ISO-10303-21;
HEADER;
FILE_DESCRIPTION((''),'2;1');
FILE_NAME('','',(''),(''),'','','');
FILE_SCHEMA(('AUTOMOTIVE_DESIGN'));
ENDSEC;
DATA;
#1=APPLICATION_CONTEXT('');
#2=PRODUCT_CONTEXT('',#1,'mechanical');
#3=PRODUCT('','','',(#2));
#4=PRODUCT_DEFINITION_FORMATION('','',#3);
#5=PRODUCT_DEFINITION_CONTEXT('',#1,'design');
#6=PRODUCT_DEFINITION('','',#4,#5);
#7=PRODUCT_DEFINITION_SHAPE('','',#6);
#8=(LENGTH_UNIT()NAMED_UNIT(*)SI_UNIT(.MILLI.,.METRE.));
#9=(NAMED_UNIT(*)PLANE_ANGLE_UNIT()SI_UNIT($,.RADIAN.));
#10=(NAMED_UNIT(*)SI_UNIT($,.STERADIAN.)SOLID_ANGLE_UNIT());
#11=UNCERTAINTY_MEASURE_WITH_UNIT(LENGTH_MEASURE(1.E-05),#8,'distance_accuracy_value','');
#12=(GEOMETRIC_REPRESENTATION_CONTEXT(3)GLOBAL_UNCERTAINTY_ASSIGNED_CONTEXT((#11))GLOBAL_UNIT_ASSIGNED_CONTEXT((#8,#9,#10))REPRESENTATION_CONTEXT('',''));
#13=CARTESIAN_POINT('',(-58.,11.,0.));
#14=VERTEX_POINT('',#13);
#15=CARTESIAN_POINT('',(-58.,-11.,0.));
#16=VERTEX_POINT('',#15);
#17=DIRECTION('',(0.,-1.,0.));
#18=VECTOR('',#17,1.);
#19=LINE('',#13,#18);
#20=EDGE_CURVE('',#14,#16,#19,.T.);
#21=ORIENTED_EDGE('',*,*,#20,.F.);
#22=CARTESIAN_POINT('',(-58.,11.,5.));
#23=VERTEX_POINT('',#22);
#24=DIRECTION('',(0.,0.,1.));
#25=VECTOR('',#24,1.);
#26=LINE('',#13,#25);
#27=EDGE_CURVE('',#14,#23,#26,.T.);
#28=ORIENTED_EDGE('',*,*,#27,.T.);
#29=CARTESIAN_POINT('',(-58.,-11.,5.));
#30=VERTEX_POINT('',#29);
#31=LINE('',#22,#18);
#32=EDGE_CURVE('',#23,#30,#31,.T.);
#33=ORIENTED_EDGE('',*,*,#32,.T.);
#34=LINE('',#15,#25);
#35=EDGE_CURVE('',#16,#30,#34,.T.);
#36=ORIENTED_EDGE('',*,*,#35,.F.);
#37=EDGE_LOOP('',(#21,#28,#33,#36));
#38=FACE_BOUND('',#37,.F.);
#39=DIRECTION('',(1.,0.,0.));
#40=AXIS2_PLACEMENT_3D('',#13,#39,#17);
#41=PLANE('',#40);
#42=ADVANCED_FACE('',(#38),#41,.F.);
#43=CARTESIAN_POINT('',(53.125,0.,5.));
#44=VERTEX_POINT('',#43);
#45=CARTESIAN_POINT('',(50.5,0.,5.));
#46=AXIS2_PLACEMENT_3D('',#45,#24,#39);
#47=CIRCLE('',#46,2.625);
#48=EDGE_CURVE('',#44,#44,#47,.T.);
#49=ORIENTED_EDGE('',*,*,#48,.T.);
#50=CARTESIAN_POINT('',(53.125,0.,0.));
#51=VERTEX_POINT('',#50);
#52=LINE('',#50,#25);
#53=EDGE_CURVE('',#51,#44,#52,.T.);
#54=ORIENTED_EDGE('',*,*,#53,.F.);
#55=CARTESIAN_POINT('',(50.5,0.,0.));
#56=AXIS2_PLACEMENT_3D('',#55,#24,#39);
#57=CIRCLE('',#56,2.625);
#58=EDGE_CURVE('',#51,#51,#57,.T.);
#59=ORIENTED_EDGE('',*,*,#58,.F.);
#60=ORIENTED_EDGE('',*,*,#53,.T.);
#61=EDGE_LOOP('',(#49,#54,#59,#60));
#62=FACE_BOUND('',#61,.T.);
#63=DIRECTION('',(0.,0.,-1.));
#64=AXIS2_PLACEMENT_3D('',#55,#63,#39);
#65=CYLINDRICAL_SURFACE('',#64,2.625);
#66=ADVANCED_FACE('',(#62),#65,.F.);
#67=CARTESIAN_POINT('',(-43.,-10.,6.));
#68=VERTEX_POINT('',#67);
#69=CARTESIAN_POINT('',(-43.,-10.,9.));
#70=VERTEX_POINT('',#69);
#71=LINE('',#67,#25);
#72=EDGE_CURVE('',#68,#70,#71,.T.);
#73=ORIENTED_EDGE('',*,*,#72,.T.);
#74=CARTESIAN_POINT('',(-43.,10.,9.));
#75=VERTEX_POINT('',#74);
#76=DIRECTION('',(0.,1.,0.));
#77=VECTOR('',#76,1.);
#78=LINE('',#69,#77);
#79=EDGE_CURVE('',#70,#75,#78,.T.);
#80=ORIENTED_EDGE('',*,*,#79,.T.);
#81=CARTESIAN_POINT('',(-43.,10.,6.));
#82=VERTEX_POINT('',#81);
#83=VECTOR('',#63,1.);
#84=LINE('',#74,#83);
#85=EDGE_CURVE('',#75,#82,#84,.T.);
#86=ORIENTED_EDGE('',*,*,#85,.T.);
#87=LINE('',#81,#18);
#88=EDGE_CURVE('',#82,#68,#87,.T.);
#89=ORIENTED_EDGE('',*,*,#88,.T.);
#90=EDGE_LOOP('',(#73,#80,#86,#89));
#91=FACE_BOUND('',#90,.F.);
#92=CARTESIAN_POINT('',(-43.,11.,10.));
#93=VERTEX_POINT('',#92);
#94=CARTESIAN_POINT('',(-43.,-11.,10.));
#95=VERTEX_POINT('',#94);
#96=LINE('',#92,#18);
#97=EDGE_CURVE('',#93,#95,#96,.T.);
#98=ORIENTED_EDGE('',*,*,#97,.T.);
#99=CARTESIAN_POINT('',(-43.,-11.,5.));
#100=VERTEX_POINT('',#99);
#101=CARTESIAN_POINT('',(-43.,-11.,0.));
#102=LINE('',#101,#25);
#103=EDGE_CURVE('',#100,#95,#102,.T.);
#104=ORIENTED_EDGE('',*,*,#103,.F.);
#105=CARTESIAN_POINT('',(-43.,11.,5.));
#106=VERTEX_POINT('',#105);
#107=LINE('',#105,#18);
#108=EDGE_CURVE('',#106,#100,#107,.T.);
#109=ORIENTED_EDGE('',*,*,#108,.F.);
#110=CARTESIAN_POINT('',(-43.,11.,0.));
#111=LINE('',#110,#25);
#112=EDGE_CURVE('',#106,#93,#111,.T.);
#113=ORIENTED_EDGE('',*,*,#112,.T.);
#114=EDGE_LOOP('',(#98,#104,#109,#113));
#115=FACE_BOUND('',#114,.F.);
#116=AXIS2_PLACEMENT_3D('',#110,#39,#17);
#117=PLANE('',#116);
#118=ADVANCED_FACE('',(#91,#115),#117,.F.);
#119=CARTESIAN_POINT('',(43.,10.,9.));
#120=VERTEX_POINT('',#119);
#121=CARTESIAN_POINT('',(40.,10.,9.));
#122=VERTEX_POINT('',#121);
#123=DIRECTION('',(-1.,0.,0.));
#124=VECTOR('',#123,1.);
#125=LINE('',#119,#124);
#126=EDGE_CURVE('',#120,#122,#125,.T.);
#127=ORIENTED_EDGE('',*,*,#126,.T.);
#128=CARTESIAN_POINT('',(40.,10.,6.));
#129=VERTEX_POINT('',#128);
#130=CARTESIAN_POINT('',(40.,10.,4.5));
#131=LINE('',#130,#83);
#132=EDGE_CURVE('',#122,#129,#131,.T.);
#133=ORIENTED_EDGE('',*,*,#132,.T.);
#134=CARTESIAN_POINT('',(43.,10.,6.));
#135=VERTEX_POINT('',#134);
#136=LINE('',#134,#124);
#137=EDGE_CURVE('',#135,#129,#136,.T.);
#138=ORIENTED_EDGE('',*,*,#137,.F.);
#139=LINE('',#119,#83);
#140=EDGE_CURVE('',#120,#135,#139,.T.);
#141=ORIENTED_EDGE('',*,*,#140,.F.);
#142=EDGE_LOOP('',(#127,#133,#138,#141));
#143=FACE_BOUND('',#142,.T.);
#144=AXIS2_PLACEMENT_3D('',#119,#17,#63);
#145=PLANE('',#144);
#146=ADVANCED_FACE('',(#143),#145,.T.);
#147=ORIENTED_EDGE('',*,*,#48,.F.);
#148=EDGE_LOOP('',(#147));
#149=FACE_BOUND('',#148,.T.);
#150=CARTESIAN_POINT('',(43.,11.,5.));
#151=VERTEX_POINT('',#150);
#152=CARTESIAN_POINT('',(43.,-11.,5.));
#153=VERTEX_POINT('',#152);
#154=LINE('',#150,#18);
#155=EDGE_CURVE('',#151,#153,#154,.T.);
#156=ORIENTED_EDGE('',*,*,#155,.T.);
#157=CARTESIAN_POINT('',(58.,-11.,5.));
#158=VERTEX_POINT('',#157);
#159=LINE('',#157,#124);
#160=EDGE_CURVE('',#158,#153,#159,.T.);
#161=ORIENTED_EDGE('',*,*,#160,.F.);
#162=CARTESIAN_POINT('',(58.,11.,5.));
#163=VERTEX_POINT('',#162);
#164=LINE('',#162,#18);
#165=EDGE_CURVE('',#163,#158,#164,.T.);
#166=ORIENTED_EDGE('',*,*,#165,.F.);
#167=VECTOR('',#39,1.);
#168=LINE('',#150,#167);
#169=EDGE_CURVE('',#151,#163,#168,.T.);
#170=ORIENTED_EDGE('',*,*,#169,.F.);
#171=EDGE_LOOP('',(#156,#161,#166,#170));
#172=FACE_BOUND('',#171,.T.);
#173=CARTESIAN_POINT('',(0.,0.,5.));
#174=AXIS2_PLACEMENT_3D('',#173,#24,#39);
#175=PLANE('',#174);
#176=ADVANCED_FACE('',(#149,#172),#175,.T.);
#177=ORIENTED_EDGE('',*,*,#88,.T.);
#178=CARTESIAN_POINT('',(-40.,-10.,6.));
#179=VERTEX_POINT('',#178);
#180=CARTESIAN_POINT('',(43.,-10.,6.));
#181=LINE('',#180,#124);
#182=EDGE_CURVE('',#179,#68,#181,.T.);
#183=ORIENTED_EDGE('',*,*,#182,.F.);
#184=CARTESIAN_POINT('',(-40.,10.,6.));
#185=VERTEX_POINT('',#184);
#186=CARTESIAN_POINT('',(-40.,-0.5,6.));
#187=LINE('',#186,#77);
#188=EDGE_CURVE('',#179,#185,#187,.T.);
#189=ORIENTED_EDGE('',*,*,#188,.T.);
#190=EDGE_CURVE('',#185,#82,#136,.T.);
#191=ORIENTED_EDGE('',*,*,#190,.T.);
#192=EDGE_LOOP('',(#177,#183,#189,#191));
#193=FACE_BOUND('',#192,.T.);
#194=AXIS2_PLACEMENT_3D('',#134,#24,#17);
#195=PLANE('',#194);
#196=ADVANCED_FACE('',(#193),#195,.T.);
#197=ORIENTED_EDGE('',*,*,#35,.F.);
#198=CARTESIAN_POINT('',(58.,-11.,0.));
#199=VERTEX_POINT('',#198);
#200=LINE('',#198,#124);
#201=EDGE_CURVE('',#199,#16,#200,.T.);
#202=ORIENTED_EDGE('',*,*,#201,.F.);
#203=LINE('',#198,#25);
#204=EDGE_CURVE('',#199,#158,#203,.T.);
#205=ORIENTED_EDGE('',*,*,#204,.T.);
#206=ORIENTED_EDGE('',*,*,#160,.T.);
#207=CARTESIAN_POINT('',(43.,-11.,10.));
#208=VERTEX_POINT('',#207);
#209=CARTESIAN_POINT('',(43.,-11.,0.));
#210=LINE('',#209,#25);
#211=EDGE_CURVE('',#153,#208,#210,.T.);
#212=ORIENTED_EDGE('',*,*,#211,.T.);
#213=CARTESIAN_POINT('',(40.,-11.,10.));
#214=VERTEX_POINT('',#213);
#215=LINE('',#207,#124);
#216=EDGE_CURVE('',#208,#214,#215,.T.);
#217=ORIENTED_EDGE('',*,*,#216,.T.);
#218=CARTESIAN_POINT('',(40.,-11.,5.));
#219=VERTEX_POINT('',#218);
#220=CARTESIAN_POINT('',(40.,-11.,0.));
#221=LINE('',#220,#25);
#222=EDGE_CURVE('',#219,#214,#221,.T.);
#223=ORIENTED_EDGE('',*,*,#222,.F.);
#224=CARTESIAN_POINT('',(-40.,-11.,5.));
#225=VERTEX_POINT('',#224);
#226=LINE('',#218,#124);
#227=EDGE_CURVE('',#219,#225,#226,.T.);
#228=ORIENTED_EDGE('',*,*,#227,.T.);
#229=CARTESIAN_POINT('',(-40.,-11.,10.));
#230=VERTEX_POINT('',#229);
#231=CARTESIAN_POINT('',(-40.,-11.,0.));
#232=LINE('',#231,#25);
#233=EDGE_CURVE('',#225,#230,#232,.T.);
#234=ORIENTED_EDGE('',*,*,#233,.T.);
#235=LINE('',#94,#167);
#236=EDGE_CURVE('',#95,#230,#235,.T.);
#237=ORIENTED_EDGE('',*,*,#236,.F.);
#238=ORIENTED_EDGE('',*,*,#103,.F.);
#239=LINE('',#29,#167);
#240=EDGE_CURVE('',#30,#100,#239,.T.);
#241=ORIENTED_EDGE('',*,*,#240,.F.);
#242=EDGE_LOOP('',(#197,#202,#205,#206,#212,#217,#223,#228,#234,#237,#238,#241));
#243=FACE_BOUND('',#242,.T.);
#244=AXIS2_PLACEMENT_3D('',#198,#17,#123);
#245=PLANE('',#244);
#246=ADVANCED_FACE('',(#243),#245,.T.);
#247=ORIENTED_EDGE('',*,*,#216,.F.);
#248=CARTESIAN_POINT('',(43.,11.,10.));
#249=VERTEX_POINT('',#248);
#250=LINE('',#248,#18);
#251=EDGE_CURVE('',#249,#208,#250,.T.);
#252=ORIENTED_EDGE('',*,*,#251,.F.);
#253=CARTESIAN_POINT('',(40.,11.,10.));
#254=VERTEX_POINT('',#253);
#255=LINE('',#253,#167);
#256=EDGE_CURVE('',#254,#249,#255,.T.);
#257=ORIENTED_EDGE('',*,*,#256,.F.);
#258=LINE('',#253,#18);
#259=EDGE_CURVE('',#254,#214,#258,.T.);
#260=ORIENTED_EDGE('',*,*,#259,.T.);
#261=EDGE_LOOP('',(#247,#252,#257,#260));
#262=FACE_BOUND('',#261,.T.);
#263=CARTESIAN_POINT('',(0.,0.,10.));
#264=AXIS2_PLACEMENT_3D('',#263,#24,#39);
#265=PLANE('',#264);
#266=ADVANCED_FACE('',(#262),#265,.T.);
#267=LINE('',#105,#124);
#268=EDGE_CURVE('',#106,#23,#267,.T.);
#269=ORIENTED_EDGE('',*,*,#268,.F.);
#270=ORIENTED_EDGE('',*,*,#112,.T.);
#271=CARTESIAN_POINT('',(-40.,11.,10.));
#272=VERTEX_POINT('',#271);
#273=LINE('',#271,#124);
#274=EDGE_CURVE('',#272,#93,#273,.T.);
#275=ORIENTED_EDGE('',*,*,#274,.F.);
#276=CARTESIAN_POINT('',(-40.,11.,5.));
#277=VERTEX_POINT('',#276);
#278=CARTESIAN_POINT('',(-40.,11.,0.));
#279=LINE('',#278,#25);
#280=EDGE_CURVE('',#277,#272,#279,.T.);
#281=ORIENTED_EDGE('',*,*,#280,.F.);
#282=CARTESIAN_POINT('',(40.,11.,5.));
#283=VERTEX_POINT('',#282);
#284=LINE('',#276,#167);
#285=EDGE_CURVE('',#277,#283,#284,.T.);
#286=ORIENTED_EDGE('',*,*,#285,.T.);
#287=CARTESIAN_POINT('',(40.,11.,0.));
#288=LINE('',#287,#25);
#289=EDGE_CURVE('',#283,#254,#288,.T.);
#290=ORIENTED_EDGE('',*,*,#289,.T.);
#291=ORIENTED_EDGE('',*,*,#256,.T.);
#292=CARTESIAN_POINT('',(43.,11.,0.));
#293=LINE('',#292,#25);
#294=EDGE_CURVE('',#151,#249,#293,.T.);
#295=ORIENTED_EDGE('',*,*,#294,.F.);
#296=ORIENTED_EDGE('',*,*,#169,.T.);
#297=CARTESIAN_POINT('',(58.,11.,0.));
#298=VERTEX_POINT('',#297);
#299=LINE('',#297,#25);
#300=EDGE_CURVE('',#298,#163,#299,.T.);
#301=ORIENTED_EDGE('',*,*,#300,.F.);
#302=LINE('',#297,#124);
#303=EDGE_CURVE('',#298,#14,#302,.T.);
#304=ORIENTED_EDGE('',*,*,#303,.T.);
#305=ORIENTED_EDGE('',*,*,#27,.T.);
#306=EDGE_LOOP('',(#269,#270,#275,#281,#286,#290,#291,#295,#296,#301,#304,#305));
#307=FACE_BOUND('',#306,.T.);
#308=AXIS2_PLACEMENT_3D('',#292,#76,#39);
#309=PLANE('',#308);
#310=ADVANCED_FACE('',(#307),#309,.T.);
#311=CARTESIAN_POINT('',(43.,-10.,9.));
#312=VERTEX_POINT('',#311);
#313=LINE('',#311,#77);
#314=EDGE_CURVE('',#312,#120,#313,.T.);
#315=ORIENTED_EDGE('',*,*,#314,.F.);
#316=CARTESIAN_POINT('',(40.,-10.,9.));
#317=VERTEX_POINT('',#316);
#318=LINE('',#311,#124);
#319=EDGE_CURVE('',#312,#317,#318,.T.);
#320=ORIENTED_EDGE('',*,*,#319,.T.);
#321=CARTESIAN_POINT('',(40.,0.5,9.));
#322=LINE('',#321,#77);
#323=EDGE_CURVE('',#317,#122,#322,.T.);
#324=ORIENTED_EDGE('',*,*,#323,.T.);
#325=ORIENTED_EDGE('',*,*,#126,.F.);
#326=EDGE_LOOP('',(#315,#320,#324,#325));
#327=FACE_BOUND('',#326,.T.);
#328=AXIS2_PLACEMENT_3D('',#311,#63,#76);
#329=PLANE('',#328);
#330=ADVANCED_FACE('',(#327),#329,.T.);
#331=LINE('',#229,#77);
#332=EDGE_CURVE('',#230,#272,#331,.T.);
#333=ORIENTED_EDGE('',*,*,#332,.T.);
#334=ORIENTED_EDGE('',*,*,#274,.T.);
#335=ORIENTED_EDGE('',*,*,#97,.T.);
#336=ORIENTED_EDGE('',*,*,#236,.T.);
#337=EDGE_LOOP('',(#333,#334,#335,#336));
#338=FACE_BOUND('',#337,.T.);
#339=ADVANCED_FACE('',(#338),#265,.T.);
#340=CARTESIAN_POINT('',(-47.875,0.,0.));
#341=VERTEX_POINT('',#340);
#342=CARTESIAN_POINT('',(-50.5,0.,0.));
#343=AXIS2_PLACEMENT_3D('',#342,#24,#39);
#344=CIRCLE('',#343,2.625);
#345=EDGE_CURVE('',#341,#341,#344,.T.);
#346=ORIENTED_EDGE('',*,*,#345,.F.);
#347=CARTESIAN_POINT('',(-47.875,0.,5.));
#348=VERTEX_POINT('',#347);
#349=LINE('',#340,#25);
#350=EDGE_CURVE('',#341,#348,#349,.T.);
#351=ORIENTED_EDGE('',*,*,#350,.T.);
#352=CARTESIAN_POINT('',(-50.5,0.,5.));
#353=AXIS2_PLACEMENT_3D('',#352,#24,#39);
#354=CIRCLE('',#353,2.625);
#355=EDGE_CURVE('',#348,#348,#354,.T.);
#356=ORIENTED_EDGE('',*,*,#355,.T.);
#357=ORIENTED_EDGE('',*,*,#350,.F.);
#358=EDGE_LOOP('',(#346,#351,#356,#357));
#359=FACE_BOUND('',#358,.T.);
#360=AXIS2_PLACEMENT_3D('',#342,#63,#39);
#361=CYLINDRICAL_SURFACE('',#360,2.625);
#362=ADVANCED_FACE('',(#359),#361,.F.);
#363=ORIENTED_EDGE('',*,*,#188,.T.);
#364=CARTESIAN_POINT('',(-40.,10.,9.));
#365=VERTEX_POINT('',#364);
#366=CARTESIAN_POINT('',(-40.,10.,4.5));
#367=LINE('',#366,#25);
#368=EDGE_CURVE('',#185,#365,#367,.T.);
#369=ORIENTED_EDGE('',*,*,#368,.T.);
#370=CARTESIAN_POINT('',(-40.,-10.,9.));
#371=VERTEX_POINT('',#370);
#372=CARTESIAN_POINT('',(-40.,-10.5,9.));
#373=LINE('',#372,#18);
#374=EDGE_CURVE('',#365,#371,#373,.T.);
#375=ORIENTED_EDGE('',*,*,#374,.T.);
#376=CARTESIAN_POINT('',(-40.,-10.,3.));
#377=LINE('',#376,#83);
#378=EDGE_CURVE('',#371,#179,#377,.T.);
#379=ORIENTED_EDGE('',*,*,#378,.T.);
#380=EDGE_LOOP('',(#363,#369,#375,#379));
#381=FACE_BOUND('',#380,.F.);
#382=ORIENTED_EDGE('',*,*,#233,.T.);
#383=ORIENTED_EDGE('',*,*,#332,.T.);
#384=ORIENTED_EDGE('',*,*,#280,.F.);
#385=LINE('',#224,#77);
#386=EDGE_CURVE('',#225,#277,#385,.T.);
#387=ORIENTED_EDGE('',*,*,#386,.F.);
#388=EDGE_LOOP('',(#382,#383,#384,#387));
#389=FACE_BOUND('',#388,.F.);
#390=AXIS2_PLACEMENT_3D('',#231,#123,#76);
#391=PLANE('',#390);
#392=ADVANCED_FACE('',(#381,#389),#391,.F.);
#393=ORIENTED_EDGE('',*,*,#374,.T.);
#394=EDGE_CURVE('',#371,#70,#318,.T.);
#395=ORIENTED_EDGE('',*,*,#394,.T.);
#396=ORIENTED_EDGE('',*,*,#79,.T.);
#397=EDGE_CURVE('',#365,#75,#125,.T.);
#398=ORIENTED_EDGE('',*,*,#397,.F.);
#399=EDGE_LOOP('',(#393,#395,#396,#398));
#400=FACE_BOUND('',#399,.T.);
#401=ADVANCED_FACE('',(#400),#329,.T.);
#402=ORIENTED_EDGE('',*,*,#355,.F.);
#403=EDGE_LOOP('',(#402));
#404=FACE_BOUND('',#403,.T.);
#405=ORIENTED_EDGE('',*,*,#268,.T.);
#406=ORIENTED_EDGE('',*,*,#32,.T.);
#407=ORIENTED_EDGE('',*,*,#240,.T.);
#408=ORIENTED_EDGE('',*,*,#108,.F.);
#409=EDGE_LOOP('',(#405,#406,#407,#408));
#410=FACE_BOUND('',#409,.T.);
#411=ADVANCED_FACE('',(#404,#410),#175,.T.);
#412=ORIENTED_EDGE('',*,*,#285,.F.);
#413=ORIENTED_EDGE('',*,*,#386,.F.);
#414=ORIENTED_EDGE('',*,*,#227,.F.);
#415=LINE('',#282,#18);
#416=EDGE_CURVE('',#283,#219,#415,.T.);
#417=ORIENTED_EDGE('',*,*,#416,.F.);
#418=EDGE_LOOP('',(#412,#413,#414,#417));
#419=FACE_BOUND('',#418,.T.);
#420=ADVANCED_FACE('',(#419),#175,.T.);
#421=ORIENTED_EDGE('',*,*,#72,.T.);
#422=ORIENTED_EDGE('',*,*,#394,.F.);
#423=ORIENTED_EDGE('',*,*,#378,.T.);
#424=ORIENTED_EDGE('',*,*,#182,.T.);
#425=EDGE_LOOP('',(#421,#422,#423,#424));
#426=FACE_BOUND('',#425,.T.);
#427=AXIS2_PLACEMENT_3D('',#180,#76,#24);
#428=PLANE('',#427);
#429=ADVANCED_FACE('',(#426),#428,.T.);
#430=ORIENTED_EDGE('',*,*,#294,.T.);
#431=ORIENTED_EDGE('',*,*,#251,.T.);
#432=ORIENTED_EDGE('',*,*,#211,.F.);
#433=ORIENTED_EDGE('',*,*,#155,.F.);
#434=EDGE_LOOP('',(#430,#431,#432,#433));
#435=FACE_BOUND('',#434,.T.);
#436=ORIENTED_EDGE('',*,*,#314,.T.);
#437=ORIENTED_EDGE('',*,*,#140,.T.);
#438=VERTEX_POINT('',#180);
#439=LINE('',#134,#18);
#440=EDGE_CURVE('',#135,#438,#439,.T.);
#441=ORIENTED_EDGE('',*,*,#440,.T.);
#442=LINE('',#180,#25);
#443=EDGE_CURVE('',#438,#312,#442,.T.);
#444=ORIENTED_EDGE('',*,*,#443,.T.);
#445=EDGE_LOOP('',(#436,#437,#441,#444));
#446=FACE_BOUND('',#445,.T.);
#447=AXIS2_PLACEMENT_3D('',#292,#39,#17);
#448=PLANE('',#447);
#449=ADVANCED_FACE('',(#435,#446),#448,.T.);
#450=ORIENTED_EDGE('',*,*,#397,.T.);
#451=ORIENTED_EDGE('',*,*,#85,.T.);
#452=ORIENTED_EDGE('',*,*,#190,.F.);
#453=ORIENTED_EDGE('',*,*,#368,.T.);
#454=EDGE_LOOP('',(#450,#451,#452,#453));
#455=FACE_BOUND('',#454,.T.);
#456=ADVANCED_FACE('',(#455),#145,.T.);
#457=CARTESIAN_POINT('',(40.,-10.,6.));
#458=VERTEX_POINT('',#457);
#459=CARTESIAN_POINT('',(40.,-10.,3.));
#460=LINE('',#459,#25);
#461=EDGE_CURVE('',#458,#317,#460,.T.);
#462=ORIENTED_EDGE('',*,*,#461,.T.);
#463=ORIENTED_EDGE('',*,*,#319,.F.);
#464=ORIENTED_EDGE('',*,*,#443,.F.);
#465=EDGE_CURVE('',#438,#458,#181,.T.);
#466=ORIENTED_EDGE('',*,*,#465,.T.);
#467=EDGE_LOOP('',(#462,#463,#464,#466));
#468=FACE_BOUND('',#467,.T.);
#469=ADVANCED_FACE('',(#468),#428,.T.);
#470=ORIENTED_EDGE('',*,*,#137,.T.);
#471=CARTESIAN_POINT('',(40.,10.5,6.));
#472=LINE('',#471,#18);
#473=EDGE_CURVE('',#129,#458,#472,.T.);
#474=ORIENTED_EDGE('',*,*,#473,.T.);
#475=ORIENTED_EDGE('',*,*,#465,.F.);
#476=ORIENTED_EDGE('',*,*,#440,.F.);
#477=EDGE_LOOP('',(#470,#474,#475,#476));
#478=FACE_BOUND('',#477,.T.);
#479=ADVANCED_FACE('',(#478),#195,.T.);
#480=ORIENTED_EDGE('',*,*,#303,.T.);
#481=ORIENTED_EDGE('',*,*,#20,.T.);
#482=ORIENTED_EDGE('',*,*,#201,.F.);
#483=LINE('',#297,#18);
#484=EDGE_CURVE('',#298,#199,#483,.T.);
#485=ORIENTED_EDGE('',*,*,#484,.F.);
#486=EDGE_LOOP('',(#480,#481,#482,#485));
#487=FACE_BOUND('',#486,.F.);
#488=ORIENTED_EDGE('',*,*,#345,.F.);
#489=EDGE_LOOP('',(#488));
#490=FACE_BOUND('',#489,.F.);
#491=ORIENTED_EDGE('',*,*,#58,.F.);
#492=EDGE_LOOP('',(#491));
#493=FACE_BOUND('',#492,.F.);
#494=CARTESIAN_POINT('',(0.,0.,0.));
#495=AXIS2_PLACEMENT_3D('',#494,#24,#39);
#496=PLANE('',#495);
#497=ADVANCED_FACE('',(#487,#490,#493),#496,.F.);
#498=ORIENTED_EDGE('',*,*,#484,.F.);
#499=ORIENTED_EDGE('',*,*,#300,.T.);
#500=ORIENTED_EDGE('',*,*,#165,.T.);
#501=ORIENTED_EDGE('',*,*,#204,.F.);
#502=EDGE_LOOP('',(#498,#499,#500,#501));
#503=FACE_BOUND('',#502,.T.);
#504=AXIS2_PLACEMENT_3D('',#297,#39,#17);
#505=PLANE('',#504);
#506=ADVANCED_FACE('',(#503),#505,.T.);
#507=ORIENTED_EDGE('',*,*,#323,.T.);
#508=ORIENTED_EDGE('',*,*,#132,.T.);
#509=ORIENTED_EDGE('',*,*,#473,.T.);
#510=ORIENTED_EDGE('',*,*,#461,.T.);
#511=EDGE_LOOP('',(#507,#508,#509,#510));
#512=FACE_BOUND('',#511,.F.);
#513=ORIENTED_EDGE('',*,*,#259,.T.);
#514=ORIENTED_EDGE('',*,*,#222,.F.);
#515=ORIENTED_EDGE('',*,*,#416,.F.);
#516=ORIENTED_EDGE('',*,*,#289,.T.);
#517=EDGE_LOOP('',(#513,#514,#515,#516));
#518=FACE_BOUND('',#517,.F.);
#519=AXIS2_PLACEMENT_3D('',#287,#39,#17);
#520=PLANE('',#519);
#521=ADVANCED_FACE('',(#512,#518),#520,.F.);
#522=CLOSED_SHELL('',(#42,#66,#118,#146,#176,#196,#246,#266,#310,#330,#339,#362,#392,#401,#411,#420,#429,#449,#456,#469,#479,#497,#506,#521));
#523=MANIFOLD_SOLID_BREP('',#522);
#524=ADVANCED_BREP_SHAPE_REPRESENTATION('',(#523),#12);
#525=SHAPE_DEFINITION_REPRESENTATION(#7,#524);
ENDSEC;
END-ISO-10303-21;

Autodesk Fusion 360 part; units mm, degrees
sketch "Sketch1" plane through (0, 0, 0) normal (0, 0, 1) x (1, 0, 0)
  line L0 (40, -11) -> (-40, -11)
  line L1 (-40, -11) -> (-40, 11)
  line L2 (-40, 11) -> (40, 11)
  line L3 (40, 11) -> (40, -11)
  line L4 (40, -11) -> (-40, 11) construction
  line L5 (-40, -11) -> (40, 11) construction
  line L6 (-40, 11) -> (-43, 11)
  line L7 (-43, 11) -> (-43, -11)
  line L8 (-43, -11) -> (-40, -11)
  line L9 (-40, -11) -> (-40, 11)
  line L10 (40, 11) -> (43, 11)
  line L11 (43, 11) -> (43, -11)
  line L12 (43, -11) -> (40, -11)
  line L13 (40, -11) -> (40, 11)
  line L14 (43, 11) -> (58, 11)
  line L15 (58, 11) -> (58, -11)
  line L16 (58, -11) -> (43, -11)
  line L17 (43, -11) -> (43, 11)
  line L18 (-43, 11) -> (-58, 11)
  line L19 (-58, 11) -> (-58, -11)
  line L20 (-58, -11) -> (-43, -11)
  line L21 (-43, -11) -> (-43, 11)
  circle A0 centre (-50.5, 0) radius 2.625
  circle A1 centre (50.5, 0) radius 2.625
  dimension "d1" = 80
  dimension "d2" = 22
  dimension "d3" = 3
  dimension "d4" = 22
  dimension "d5" = 3
  dimension "d6" = 15
  dimension "d7" = 22
  dimension "d8" = 15
  dimension "d9" = 22
  dimension "d10" = 5.25
  dimension "d11" = 5.25
  dimension "d19" = 22
extrude "Extrude1" add sketch "Sketch1" along normal blind 5 contours L0 L1 L2 L3 L9 L13 | L11 L14 L15 L16 L17 | L7 L18 L19 L20 L21 makes body 1 at (50.5654, -8.2059, 0) makes body 2 at (13.3333, -3.6667, 0) makes body 3 at (-50.4346, -8.2059, 0)
extrude "Extrude2" add sketch "Sketch1" along normal blind 10 contours L3 L10 L11 L12 L13 L17 | L1 L6 L7 L8 L9 L21 bodies 1 2 3
sketch "Sketch2" plane through (43, 0, 0) normal (1, 0, 0) x (0, 1, 0)
  line L0 (-11, 5) -> (11, 5)
  line L1 (11, 5) -> (11, 10)
  line L2 (11, 10) -> (-11, 10)
  line L3 (-11, 10) -> (-11, 5)
  line L4 (-11, 10) -> (11, 10)
  line L5 (11, 10) -> (11, 5)
  line L6 (11, 5) -> (-11, 5)
  line L7 (-11, 5) -> (-11, 10)
  line L8 (10, 6) -> (-10, 6)
  line L9 (-10, 6) -> (-10, 9)
  line L10 (-10, 9) -> (10, 9)
  line L11 (10, 9) -> (10, 6)
  dimension "d16" = 1
extrude "Extrude3" cut sketch "Sketch2" against normal up to surface (86 mm away) contours L8 L9 L10 L11 bodies 1
equation "d4 = d2"
equation "d7 = d2"
equation "d9 = d2"
equation "d19 = d2"
